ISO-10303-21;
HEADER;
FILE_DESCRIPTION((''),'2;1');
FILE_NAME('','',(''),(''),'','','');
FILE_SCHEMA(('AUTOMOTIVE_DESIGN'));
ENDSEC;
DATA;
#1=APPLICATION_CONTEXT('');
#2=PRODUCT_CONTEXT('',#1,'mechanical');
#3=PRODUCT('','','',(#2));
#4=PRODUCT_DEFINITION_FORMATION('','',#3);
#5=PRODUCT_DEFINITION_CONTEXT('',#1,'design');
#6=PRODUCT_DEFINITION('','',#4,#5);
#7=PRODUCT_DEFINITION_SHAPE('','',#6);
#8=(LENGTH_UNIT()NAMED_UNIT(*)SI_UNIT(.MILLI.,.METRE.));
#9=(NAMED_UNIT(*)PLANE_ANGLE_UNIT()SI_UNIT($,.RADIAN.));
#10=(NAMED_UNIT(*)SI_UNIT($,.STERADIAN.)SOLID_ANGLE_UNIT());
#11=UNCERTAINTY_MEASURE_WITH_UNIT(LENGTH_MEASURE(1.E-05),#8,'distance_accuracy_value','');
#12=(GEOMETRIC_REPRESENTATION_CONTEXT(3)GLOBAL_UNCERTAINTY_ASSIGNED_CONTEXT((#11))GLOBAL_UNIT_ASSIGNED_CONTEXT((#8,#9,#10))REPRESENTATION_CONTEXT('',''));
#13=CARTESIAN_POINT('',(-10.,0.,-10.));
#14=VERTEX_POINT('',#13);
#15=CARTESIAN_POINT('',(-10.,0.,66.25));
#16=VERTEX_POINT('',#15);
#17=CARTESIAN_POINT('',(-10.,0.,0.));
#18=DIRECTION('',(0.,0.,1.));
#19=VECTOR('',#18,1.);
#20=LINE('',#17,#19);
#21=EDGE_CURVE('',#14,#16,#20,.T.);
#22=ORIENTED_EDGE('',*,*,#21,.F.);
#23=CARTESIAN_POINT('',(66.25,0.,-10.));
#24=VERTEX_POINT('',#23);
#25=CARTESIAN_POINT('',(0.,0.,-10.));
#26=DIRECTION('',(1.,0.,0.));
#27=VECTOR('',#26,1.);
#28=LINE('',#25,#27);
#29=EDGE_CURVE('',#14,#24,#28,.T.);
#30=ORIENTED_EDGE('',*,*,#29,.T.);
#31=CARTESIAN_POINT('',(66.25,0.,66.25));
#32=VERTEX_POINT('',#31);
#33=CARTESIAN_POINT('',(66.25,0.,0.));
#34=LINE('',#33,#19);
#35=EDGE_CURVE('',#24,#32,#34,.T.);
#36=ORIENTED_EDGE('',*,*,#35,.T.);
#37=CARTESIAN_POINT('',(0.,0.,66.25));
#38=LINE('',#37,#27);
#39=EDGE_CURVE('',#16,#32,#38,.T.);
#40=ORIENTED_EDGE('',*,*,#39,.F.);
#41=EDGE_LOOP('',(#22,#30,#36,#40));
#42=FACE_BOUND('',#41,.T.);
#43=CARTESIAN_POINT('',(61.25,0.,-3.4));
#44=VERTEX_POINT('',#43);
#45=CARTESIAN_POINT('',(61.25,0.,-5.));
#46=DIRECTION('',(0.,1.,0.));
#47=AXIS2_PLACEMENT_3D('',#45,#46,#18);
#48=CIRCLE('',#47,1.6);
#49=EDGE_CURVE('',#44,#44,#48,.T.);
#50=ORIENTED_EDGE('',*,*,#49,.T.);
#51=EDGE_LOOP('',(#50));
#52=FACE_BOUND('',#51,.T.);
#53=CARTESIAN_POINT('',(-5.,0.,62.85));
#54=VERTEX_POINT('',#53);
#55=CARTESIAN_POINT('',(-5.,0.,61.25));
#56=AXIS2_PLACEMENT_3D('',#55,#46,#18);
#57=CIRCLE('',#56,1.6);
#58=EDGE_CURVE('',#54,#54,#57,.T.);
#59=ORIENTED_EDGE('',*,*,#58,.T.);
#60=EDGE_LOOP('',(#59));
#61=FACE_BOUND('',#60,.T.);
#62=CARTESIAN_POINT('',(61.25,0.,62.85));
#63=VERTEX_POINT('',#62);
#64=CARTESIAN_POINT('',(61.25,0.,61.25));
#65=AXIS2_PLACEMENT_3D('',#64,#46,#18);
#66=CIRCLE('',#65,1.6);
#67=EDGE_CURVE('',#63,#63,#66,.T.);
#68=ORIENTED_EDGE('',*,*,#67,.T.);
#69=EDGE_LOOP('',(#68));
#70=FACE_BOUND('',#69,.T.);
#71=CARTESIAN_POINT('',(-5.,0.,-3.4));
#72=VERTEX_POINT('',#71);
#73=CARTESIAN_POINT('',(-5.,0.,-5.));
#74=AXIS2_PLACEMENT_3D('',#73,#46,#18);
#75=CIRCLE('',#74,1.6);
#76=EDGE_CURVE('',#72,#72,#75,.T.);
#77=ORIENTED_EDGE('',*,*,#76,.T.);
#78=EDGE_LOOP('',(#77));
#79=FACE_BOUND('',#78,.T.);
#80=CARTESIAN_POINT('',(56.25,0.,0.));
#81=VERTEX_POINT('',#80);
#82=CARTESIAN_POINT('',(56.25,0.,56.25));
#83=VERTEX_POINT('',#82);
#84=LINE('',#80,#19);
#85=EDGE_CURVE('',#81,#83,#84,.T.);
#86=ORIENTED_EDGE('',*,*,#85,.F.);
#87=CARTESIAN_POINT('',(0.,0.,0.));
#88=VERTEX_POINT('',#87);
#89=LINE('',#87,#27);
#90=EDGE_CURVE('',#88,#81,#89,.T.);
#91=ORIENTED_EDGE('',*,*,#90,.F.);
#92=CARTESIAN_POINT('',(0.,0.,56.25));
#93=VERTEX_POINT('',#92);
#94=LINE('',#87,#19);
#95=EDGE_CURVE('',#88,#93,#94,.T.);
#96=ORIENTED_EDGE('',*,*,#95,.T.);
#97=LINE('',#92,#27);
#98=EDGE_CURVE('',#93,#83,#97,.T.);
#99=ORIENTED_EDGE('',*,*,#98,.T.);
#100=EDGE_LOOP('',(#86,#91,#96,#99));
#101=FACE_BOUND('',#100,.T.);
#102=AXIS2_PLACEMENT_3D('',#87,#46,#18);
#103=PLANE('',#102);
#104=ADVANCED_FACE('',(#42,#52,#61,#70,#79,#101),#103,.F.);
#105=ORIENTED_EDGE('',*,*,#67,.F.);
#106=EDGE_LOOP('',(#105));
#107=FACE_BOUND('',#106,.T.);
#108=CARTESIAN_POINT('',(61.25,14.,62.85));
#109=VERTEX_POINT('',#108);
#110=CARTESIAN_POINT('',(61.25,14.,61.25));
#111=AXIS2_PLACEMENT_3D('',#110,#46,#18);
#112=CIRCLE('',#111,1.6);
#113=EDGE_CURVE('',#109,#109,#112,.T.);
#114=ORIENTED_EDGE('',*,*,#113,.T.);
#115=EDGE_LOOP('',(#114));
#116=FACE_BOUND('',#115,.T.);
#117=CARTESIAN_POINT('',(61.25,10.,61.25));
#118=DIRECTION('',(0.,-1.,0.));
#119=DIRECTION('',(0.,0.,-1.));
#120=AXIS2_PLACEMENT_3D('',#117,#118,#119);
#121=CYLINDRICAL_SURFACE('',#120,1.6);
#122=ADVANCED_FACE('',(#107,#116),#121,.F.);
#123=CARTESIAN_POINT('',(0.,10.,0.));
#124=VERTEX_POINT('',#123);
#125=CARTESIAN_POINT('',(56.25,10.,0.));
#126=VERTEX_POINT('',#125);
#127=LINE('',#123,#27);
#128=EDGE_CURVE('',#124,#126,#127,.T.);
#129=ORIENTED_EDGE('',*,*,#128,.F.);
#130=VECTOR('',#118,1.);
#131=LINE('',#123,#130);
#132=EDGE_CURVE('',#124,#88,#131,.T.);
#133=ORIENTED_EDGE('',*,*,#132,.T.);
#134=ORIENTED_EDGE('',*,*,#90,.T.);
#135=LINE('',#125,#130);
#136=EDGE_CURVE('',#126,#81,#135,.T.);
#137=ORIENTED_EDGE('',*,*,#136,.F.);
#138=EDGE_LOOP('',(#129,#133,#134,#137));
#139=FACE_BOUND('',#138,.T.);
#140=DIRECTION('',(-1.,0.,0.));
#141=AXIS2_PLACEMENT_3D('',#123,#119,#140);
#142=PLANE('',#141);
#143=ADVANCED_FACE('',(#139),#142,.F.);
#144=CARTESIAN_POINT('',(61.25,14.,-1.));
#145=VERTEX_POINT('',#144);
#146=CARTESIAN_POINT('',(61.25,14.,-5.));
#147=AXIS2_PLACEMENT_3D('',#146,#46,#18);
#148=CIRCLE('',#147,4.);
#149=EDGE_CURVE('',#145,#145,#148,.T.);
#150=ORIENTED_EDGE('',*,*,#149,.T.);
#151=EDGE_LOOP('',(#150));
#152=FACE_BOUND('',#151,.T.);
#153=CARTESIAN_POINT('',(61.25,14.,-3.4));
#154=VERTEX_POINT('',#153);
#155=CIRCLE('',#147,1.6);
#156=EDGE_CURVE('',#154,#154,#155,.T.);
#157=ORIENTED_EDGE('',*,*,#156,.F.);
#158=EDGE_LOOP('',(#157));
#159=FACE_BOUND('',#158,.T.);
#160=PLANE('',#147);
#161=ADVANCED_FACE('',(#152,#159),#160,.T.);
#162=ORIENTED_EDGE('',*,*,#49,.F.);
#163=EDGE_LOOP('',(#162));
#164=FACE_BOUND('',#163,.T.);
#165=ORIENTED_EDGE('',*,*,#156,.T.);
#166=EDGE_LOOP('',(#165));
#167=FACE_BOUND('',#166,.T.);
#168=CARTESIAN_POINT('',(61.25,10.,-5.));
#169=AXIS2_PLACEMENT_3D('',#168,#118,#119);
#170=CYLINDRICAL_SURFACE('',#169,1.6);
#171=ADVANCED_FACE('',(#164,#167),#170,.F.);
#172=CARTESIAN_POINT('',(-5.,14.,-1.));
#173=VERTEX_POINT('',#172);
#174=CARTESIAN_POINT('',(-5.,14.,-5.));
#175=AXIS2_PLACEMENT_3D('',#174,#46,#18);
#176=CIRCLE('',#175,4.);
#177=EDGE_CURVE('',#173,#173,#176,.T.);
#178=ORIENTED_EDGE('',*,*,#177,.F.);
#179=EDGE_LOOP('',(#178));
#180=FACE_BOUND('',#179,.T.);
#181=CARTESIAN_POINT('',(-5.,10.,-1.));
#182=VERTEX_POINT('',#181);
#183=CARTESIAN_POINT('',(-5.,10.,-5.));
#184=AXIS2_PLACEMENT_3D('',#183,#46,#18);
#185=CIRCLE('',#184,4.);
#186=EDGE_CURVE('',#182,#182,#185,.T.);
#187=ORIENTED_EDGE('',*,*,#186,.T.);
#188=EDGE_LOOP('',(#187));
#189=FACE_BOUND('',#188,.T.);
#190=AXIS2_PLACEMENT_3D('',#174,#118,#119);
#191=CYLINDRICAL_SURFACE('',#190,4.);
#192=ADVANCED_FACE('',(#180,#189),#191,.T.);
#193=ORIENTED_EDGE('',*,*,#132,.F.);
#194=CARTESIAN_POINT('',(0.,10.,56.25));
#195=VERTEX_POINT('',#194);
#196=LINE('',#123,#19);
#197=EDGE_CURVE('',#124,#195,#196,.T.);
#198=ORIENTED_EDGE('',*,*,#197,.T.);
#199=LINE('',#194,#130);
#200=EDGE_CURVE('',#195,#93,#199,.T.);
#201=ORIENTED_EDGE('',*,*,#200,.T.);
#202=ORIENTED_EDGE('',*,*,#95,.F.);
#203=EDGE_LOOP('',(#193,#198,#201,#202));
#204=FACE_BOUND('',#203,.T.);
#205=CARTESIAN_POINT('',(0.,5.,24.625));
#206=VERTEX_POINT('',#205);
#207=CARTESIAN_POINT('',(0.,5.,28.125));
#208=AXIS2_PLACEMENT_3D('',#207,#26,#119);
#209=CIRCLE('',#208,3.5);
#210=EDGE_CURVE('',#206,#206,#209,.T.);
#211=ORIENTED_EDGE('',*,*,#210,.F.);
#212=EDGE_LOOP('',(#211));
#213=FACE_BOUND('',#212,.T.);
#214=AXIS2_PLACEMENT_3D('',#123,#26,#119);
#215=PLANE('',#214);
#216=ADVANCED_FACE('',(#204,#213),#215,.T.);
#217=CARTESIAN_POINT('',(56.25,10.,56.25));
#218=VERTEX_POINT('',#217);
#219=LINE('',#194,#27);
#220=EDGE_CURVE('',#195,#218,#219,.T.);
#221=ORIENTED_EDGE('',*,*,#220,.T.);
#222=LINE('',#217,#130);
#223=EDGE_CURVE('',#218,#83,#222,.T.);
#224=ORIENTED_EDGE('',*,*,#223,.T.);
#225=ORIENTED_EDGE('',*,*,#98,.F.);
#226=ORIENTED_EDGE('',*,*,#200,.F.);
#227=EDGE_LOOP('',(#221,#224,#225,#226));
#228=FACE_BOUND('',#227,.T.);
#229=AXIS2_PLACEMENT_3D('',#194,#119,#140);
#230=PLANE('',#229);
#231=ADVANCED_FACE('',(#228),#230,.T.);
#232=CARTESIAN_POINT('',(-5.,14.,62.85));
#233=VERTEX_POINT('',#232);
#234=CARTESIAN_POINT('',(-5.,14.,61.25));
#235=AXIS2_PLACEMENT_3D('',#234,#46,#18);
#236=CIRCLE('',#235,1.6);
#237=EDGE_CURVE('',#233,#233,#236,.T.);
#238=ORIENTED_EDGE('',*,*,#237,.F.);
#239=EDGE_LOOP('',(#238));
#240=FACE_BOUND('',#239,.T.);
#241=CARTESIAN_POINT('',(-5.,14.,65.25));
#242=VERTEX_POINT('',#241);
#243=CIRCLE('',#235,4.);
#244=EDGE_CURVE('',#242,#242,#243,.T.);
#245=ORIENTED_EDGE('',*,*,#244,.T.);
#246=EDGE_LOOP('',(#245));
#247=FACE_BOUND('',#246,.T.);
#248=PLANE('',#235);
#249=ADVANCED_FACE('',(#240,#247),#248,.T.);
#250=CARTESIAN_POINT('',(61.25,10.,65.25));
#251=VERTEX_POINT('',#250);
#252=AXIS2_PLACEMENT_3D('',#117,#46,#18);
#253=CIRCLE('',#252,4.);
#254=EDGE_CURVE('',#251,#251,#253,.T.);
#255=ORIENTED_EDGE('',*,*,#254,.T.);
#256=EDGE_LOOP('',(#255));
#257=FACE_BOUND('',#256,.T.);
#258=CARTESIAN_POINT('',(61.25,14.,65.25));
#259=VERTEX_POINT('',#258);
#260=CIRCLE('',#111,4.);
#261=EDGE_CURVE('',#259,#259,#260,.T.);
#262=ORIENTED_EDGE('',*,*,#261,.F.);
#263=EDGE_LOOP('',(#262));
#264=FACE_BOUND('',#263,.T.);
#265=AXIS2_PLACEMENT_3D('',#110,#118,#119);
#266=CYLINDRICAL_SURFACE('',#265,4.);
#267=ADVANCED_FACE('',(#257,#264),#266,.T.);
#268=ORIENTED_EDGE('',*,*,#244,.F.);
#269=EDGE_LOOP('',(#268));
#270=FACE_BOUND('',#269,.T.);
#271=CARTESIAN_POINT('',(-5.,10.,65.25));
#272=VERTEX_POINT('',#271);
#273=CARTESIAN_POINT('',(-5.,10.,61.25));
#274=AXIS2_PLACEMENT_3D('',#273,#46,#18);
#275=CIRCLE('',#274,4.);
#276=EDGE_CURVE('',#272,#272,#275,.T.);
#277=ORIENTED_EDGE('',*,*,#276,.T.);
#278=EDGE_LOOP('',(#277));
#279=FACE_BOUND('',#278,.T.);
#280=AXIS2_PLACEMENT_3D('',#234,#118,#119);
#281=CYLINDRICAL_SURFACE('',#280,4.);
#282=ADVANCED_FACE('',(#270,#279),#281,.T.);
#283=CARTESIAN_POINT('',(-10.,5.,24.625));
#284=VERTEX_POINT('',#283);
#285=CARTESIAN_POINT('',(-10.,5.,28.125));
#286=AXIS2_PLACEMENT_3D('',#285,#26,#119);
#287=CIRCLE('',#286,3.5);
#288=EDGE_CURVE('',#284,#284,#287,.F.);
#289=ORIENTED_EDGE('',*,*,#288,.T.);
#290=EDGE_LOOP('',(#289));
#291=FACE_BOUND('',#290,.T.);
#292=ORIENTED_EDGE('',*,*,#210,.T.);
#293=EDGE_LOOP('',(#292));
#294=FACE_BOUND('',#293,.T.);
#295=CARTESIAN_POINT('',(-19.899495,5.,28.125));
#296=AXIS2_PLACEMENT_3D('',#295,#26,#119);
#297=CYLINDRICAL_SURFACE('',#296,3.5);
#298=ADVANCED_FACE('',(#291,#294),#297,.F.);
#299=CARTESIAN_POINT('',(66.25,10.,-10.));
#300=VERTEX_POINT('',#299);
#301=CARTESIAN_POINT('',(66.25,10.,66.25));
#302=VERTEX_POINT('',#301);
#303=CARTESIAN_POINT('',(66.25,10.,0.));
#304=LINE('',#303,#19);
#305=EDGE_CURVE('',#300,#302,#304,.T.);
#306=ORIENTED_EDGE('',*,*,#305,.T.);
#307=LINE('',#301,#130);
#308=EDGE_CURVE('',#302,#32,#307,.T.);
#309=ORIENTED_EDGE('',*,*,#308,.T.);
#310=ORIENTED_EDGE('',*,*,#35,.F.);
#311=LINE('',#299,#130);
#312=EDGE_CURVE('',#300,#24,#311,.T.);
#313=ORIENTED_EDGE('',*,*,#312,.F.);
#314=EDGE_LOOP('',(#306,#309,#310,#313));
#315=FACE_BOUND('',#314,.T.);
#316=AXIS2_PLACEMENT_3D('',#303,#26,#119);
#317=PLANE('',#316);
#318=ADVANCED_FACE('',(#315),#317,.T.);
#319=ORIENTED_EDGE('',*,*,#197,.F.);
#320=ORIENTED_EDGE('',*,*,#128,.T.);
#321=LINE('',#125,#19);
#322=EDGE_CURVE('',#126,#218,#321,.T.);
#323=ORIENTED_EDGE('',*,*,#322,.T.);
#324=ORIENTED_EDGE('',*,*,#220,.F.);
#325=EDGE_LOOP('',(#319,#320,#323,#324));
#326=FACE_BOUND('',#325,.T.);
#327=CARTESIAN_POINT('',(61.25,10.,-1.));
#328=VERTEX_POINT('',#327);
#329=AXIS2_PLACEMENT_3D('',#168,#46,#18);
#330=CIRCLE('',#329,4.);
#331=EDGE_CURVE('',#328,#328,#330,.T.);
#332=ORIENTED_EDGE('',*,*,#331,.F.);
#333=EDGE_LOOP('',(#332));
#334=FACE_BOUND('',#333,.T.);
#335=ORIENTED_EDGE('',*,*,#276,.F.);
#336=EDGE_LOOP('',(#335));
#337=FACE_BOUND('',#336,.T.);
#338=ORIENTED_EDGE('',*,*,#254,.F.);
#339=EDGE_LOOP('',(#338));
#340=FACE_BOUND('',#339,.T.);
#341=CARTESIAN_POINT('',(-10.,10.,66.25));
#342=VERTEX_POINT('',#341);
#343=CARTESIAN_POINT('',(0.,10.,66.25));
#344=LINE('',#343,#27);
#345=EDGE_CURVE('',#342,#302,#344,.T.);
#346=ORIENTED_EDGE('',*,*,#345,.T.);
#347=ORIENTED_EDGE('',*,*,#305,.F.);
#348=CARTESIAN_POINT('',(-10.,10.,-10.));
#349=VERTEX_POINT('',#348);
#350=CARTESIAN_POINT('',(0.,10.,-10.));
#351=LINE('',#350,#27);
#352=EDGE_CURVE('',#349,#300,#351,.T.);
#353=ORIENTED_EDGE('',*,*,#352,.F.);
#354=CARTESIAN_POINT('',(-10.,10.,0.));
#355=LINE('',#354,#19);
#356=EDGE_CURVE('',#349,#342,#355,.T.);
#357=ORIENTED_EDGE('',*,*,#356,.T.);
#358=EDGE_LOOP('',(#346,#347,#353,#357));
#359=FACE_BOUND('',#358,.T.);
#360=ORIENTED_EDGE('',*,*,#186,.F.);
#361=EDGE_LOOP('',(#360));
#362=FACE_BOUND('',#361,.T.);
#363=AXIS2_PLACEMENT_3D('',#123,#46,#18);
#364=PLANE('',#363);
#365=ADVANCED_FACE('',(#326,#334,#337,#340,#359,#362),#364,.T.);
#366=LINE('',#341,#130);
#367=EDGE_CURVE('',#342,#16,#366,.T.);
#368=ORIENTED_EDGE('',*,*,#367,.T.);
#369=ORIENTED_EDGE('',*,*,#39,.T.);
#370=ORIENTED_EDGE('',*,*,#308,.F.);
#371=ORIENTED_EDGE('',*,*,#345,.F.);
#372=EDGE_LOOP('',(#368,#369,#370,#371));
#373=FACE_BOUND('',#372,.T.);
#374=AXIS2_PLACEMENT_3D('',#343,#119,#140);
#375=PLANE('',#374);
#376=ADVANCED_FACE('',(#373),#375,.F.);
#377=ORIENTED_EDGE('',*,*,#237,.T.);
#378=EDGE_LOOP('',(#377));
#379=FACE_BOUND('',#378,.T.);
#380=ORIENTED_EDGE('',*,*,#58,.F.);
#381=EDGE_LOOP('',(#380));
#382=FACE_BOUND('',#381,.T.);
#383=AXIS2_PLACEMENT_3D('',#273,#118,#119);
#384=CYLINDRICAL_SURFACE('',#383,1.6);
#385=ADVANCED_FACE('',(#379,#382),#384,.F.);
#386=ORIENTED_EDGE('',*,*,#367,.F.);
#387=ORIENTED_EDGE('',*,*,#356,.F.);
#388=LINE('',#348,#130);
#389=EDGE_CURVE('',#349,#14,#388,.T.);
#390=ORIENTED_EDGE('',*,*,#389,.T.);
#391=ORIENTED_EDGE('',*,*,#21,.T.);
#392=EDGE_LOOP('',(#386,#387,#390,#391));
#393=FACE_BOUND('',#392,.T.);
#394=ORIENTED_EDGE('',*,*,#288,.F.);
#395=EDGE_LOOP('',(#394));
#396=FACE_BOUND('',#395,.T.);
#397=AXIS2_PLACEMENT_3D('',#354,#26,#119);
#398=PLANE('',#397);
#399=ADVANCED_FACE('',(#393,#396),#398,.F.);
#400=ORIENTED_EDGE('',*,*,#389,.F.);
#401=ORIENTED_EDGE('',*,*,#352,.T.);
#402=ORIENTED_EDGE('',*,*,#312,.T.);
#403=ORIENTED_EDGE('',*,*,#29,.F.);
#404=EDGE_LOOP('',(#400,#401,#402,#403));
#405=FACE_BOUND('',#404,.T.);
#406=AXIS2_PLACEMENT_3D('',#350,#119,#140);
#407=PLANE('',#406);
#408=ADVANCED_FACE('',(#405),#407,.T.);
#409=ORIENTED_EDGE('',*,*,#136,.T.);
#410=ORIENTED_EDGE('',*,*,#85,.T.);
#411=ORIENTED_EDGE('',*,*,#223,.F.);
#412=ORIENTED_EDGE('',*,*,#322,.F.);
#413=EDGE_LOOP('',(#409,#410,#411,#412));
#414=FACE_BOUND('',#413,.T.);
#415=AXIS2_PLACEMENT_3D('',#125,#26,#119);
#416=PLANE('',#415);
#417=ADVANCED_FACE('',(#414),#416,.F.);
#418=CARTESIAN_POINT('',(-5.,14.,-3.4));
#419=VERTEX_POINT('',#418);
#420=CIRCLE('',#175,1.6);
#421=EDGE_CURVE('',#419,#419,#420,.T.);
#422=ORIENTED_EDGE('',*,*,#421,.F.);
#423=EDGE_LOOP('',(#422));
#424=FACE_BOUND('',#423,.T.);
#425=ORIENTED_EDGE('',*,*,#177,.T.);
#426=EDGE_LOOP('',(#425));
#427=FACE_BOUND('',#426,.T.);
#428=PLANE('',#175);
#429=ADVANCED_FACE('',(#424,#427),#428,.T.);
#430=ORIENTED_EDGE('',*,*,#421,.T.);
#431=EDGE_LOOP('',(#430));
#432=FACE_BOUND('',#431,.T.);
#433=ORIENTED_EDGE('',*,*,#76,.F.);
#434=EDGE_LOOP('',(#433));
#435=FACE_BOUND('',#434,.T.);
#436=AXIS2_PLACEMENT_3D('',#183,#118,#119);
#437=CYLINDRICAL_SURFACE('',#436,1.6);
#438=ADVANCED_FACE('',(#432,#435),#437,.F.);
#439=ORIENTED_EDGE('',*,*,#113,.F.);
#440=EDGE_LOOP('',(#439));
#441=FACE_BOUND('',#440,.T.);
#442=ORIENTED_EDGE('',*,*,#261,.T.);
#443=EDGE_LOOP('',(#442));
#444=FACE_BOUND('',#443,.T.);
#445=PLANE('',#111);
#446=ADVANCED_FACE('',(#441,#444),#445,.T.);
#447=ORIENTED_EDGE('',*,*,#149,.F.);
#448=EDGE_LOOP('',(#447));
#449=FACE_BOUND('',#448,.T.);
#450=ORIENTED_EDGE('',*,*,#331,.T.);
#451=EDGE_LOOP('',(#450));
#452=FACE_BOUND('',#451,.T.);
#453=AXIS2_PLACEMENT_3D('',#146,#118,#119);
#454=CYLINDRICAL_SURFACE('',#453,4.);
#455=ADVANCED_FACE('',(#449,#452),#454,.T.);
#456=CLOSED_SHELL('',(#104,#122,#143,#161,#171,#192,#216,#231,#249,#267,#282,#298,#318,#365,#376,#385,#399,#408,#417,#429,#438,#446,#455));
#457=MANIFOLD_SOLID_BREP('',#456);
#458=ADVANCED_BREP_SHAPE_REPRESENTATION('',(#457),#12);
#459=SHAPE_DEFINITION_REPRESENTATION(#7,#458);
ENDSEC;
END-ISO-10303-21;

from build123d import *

# Parameters (mm, degrees)
SKETCH1_W           = 76.25
SKETCH1_H           = 76.25
SKETCH1_R           = 4
SKETCH1_W_2         = 56.25
SKETCH1_H_2         = 56.25
SKETCH1_R_2         = 1.6
BOSS_EXTRUDE1_DEPTH = 10
SKETCH2_R           = 3.5
CUT_EXTRUDE1_DEPTH  = 10
BOSS_EXTRUDE2_START = 10
SKETCH1_3_R         = 4
SKETCH1_3_R_2       = 1.6
BOSS_EXTRUDE2_DEPTH = 4


with BuildPart() as part:
    # Sketch1 → Boss-Extrude1 (new body)
    # profile 1 of 5: a face of its own
    with BuildSketch(Plane(origin=(0, 0, 0), x_dir=(1, 0, 0), z_dir=(0, 1, 0))):
        with Locations((28.125, -28.125)):
            Rectangle(SKETCH1_W, SKETCH1_H)
        with Locations((-5, 5)):
            Circle(SKETCH1_R, mode=Mode.SUBTRACT)
        with Locations((-5, -61.25)):
            Circle(SKETCH1_R, mode=Mode.SUBTRACT)
        with Locations((61.25, -61.25)):
            Circle(SKETCH1_R, mode=Mode.SUBTRACT)
        with Locations((61.25, 5)):
            Circle(SKETCH1_R, mode=Mode.SUBTRACT)
        with Locations((28.125, -28.125)):
            Rectangle(SKETCH1_W_2, SKETCH1_H_2, mode=Mode.SUBTRACT)
    # profile 2 of 5: a face of its own
    with BuildSketch(Plane(origin=(0, 0, 0), x_dir=(1, 0, 0), z_dir=(0, 1, 0))):
        with Locations((61.25, 5)):
            Circle(SKETCH1_R)
        with Locations(Location((61.25, 5, 0), (0, 0, 270))):
            Circle(SKETCH1_R_2, mode=Mode.SUBTRACT)
    # profile 3 of 5: a face of its own
    with BuildSketch(Plane(origin=(0, 0, 0), x_dir=(1, 0, 0), z_dir=(0, 1, 0))):
        with Locations((61.25, -61.25)):
            Circle(SKETCH1_R)
        with Locations(Location((61.25, -61.25, 0), (0, 0, 270))):
            Circle(SKETCH1_R_2, mode=Mode.SUBTRACT)
    # profile 4 of 5: a face of its own
    with BuildSketch(Plane(origin=(0, 0, 0), x_dir=(1, 0, 0), z_dir=(0, 1, 0))):
        with Locations((-5, -61.25)):
            Circle(SKETCH1_R)
        with Locations(Location((-5, -61.25, 0), (0, 0, 270))):
            Circle(SKETCH1_R_2, mode=Mode.SUBTRACT)
    # profile 5 of 5: a face of its own
    with BuildSketch(Plane(origin=(0, 0, 0), x_dir=(1, 0, 0), z_dir=(0, 1, 0))):
        with Locations((-5, 5)):
            Circle(SKETCH1_R)
        with Locations(Location((-5, 5, 0), (0, 0, 270))):
            Circle(SKETCH1_R_2, mode=Mode.SUBTRACT)
    extrude(amount=BOSS_EXTRUDE1_DEPTH)

    # Sketch2 → Cut-Extrude1 (cut)
    with BuildSketch(Plane(origin=(0, 0, 0), x_dir=(0, 0, -1), z_dir=(1, 0, 0))):
        with Locations((-28.125, 5)):
            Circle(SKETCH2_R)
    extrude(amount=-CUT_EXTRUDE1_DEPTH, mode=Mode.SUBTRACT)

    # Sketch1<3> → Boss-Extrude2 (add)
    # profile 1 of 4: a face of its own
    with BuildSketch(Plane(origin=(0, 0, 0), x_dir=(1, 0, 0), z_dir=(0, 1, 0)).offset(BOSS_EXTRUDE2_START)):
        with Locations(Location((-5, 5, 0), (0, 0, 270))):
            Circle(SKETCH1_3_R)
        with Locations(Location((-5, 5, 0), (0, 0, 270))):
            Circle(SKETCH1_3_R_2, mode=Mode.SUBTRACT)
    # profile 2 of 4: a face of its own
    with BuildSketch(Plane(origin=(0, 0, 0), x_dir=(1, 0, 0), z_dir=(0, 1, 0)).offset(BOSS_EXTRUDE2_START)):
        with Locations(Location((-5, -61.25, 0), (0, 0, 270))):
            Circle(SKETCH1_3_R)
        with Locations(Location((-5, -61.25, 0), (0, 0, 270))):
            Circle(SKETCH1_3_R_2, mode=Mode.SUBTRACT)
    # profile 3 of 4: a face of its own
    with BuildSketch(Plane(origin=(0, 0, 0), x_dir=(1, 0, 0), z_dir=(0, 1, 0)).offset(BOSS_EXTRUDE2_START)):
        with Locations(Location((61.25, -61.25, 0), (0, 0, 270))):
            Circle(SKETCH1_3_R)
        with Locations(Location((61.25, -61.25, 0), (0, 0, 270))):
            Circle(SKETCH1_3_R_2, mode=Mode.SUBTRACT)
    # profile 4 of 4: a face of its own
    with BuildSketch(Plane(origin=(0, 0, 0), x_dir=(1, 0, 0), z_dir=(0, 1, 0)).offset(BOSS_EXTRUDE2_START)):
        with Locations(Location((61.25, 5, 0), (0, 0, 270))):
            Circle(SKETCH1_3_R)
        with Locations(Location((61.25, 5, 0), (0, 0, 270))):
            Circle(SKETCH1_3_R_2, mode=Mode.SUBTRACT)
    extrude(amount=BOSS_EXTRUDE2_DEPTH)


solid = part.part
